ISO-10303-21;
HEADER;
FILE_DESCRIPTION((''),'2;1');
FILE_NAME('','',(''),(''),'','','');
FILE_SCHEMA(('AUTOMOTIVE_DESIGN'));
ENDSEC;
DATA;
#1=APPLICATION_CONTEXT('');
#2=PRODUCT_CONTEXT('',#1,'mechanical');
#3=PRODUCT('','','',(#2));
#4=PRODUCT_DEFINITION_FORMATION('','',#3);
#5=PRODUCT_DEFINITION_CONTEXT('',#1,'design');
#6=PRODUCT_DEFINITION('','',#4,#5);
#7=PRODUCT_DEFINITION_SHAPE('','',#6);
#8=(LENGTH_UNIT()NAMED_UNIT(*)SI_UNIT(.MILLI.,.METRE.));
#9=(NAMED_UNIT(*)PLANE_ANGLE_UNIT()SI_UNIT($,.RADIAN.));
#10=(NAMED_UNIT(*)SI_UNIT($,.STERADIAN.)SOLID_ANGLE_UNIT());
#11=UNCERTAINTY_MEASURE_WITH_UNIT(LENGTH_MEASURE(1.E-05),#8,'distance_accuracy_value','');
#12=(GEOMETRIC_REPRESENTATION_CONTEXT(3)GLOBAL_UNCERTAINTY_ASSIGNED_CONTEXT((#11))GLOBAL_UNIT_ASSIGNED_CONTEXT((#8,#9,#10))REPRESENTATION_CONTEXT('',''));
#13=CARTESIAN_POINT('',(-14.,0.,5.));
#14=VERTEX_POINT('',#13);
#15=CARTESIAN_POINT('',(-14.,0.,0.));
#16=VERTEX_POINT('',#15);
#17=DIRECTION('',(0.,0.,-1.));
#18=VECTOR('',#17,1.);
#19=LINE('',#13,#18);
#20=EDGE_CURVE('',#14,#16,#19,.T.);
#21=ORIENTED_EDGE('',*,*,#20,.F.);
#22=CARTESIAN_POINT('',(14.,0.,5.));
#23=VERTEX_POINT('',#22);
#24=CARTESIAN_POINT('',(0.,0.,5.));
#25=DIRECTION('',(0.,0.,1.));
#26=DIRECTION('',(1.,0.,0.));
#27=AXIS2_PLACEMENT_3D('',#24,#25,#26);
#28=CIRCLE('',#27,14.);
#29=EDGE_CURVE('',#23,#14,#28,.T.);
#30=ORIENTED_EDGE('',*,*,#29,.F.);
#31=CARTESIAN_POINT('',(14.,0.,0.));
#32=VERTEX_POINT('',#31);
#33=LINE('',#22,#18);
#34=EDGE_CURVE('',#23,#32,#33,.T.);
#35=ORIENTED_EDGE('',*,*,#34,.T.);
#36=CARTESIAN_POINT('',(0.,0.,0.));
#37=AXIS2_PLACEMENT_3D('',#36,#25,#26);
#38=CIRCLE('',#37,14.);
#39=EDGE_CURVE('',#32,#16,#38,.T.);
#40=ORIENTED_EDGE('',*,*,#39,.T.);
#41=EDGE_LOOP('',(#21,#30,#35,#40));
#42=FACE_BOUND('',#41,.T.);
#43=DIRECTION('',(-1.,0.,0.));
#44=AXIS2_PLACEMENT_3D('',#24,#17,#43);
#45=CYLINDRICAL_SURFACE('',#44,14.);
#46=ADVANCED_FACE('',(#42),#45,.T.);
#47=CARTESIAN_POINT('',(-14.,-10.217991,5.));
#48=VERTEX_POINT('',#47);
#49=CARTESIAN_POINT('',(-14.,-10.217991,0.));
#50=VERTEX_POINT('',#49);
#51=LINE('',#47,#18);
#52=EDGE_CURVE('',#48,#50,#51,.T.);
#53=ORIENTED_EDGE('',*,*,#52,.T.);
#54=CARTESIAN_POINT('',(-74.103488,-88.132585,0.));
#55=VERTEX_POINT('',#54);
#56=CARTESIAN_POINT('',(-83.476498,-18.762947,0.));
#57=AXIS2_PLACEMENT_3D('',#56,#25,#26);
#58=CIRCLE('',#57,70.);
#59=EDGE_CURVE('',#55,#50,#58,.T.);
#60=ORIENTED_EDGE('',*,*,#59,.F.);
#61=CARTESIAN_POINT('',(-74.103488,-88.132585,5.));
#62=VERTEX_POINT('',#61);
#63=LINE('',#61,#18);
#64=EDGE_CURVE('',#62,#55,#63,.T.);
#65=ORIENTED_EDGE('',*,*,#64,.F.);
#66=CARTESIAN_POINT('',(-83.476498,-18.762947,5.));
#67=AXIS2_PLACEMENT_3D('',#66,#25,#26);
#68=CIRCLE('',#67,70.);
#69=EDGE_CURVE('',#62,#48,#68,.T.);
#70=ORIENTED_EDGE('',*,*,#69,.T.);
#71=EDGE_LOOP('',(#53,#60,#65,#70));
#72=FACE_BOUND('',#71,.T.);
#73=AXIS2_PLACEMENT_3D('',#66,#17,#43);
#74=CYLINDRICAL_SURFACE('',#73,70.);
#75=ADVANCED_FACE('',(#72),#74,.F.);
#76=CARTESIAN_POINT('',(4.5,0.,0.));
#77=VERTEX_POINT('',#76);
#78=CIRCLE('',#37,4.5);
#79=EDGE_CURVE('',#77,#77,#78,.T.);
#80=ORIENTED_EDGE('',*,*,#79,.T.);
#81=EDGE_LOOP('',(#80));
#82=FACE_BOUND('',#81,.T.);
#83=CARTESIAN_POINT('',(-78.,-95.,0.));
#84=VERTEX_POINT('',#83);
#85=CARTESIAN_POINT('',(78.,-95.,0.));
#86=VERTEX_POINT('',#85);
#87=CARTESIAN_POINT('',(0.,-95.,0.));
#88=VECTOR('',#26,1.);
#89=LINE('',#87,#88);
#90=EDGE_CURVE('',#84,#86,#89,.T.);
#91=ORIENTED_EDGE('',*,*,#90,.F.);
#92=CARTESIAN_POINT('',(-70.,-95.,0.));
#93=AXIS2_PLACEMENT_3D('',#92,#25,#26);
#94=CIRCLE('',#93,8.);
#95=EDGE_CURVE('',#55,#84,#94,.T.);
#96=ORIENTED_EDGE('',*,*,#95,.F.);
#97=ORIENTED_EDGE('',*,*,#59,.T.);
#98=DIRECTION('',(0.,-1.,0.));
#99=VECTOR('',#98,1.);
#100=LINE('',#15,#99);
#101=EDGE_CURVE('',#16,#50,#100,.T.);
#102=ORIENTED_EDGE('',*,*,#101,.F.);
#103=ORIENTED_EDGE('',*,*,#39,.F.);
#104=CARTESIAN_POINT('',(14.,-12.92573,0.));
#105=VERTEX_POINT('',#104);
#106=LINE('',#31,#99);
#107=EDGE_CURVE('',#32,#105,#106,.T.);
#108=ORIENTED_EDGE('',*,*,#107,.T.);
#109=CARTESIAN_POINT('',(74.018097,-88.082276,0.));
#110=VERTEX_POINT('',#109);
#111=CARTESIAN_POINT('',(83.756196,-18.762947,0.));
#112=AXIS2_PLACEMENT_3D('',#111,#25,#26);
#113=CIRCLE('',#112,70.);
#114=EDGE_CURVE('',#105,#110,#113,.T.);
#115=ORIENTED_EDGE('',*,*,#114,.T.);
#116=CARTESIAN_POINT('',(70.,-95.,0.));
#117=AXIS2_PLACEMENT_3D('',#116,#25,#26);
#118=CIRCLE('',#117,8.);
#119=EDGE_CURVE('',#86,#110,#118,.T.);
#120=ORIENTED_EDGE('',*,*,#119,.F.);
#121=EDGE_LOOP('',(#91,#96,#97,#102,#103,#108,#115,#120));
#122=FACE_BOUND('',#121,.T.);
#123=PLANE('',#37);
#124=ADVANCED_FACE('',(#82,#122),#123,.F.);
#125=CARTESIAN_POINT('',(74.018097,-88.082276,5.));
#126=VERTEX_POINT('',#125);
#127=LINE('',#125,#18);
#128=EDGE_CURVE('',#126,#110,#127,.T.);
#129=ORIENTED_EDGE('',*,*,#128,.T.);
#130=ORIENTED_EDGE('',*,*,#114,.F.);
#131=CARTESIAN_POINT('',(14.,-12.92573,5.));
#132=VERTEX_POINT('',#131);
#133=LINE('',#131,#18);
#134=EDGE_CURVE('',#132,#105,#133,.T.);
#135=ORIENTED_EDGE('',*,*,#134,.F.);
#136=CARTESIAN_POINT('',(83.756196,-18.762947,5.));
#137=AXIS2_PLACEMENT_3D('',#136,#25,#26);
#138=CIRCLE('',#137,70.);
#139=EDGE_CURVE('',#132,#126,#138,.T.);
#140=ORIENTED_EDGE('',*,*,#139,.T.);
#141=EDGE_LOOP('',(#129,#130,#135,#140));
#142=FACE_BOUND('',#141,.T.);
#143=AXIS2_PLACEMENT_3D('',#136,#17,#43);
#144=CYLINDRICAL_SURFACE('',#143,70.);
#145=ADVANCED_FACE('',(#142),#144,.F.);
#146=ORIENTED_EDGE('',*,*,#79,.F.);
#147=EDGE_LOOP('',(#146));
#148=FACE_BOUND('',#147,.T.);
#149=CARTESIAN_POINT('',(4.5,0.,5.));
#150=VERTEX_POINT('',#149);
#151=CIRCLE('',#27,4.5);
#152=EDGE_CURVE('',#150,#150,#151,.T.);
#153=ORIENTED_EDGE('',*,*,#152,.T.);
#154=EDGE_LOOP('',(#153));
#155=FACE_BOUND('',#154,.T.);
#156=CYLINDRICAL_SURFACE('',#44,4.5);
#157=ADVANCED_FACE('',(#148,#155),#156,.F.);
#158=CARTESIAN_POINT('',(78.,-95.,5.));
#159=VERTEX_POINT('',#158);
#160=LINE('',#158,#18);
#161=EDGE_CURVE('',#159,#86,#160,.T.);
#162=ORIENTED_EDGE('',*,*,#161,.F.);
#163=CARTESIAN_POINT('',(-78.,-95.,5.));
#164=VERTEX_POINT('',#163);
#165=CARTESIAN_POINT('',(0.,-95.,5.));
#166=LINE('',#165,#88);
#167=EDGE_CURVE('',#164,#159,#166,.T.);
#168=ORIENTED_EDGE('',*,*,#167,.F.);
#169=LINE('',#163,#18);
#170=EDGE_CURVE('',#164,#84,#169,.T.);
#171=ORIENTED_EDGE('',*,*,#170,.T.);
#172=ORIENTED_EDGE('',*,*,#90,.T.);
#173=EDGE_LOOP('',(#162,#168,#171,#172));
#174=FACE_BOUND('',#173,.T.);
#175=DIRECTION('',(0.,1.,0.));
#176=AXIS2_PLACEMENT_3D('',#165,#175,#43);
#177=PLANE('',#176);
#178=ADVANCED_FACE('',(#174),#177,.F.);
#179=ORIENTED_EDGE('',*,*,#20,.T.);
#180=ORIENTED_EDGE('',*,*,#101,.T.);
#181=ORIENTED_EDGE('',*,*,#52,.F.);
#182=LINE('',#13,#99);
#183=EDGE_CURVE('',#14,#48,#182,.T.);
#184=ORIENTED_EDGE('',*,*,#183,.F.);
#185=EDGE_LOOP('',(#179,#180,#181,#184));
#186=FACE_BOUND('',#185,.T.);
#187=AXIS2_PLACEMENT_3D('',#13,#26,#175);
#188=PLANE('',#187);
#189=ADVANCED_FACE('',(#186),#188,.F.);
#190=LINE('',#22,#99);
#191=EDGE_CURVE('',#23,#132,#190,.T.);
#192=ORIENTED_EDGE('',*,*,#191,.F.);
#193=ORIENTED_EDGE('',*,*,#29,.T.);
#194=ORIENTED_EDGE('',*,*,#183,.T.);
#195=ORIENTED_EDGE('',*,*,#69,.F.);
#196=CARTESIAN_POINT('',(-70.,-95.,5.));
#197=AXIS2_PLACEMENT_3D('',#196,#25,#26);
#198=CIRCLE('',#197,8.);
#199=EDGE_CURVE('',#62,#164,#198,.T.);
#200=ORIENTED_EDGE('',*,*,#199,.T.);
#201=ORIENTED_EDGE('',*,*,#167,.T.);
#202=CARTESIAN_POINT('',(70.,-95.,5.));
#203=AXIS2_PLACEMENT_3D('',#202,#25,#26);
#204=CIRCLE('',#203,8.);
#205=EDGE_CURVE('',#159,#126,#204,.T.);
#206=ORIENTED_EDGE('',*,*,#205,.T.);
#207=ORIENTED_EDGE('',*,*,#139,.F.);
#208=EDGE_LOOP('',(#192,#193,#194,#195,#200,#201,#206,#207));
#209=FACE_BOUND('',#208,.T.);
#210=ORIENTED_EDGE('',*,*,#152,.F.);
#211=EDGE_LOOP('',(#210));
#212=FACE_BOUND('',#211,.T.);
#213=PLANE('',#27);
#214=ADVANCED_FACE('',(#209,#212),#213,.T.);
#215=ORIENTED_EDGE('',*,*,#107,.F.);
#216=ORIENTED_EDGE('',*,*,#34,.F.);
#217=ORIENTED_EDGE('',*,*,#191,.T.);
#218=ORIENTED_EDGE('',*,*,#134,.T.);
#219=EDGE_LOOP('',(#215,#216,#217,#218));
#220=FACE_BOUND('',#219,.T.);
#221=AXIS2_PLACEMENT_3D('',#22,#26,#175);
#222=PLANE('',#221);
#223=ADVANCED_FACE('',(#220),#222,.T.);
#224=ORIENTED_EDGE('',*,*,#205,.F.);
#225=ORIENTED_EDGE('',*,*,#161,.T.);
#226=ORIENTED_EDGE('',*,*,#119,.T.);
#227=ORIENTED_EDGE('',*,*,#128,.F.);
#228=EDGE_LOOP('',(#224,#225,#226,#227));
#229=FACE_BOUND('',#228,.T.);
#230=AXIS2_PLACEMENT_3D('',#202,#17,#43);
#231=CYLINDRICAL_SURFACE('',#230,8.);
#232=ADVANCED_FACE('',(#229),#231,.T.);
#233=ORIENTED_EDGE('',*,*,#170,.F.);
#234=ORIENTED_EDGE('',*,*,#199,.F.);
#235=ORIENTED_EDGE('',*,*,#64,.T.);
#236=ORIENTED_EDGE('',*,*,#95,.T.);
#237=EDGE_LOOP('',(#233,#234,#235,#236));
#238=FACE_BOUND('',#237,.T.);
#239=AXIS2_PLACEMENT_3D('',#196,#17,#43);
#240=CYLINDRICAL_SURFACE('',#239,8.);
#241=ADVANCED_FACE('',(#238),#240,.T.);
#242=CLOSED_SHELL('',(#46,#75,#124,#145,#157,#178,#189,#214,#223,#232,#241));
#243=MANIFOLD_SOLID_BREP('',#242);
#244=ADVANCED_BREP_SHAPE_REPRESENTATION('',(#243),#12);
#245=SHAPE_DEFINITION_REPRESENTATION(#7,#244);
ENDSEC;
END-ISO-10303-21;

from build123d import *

# Parameters (mm, degrees)
SKETCH1_R           = 4.5
BOSS_EXTRUDE1_DEPTH = 5


with BuildPart() as part:
    # Sketch1 → Boss-Extrude1 (new body)
    # profile 1 of 3: a face of its own
    with BuildSketch(Plane.XY):
        with BuildLine():
            ThreePointArc((-13.638726053, -14), (-27.283749808, -60.504713891), (-67.865456294, -87))
            Line((-67.865456294, -87), (68.145154779, -87))
            ThreePointArc((68.145154779, -87), (27.563448293, -60.504713891), (13.918424538, -14))
            Line((13.918424538, -14), (-13.638726053, -14))
        make_face()
    # profile 2 of 3: a face of its own
    with BuildSketch(Plane.XY):
        with BuildLine():
            ThreePointArc((-74.103488032, -88.132585205), (-76.958013519, -91.052083097), (-78, -95))
            Line((-78, -95), (78, -95))
            ThreePointArc((78, -95), (76.93342531, -91.009058574), (74.018096633, -88.082276426))
            ThreePointArc((74.018096633, -88.082276426), (71.326143577, -87.650491647), (68.653046275, -87.114207988))
            ThreePointArc((68.653046275, -87.114207988), (68.398994359, -87.05757613), (68.145154779, -87))
            Line((68.145154779, -87), (-67.865456294, -87))
            ThreePointArc((-67.865456294, -87), (-68.182334922, -87.071720966), (-68.499543017, -87.141970423))
            ThreePointArc((-68.499543017, -87.141970423), (-71.291444545, -87.694249722), (-74.103488032, -88.132585205))
        make_face()
    # profile 3 of 3: a face of its own
    with BuildSketch(Plane.XY):
        with BuildLine():
            ThreePointArc((-14, -10.217990633), (-13.793699897, -12.106543863), (-13.638726053, -14))
            Line((-13.638726053, -14), (13.918424538, -14))
            ThreePointArc((13.918424538, -14), (13.95714549, -13.462707887), (14, -12.925729658))
            Line((14, -12.925729658), (14, 0))
            ThreePointArc((14, 0), (0, 14), (-14, 0))
            Line((-14, 0), (-14, -10.217990633))
        make_face()
        Circle(SKETCH1_R, mode=Mode.SUBTRACT)
    extrude(amount=BOSS_EXTRUDE1_DEPTH)


solid = part.part
